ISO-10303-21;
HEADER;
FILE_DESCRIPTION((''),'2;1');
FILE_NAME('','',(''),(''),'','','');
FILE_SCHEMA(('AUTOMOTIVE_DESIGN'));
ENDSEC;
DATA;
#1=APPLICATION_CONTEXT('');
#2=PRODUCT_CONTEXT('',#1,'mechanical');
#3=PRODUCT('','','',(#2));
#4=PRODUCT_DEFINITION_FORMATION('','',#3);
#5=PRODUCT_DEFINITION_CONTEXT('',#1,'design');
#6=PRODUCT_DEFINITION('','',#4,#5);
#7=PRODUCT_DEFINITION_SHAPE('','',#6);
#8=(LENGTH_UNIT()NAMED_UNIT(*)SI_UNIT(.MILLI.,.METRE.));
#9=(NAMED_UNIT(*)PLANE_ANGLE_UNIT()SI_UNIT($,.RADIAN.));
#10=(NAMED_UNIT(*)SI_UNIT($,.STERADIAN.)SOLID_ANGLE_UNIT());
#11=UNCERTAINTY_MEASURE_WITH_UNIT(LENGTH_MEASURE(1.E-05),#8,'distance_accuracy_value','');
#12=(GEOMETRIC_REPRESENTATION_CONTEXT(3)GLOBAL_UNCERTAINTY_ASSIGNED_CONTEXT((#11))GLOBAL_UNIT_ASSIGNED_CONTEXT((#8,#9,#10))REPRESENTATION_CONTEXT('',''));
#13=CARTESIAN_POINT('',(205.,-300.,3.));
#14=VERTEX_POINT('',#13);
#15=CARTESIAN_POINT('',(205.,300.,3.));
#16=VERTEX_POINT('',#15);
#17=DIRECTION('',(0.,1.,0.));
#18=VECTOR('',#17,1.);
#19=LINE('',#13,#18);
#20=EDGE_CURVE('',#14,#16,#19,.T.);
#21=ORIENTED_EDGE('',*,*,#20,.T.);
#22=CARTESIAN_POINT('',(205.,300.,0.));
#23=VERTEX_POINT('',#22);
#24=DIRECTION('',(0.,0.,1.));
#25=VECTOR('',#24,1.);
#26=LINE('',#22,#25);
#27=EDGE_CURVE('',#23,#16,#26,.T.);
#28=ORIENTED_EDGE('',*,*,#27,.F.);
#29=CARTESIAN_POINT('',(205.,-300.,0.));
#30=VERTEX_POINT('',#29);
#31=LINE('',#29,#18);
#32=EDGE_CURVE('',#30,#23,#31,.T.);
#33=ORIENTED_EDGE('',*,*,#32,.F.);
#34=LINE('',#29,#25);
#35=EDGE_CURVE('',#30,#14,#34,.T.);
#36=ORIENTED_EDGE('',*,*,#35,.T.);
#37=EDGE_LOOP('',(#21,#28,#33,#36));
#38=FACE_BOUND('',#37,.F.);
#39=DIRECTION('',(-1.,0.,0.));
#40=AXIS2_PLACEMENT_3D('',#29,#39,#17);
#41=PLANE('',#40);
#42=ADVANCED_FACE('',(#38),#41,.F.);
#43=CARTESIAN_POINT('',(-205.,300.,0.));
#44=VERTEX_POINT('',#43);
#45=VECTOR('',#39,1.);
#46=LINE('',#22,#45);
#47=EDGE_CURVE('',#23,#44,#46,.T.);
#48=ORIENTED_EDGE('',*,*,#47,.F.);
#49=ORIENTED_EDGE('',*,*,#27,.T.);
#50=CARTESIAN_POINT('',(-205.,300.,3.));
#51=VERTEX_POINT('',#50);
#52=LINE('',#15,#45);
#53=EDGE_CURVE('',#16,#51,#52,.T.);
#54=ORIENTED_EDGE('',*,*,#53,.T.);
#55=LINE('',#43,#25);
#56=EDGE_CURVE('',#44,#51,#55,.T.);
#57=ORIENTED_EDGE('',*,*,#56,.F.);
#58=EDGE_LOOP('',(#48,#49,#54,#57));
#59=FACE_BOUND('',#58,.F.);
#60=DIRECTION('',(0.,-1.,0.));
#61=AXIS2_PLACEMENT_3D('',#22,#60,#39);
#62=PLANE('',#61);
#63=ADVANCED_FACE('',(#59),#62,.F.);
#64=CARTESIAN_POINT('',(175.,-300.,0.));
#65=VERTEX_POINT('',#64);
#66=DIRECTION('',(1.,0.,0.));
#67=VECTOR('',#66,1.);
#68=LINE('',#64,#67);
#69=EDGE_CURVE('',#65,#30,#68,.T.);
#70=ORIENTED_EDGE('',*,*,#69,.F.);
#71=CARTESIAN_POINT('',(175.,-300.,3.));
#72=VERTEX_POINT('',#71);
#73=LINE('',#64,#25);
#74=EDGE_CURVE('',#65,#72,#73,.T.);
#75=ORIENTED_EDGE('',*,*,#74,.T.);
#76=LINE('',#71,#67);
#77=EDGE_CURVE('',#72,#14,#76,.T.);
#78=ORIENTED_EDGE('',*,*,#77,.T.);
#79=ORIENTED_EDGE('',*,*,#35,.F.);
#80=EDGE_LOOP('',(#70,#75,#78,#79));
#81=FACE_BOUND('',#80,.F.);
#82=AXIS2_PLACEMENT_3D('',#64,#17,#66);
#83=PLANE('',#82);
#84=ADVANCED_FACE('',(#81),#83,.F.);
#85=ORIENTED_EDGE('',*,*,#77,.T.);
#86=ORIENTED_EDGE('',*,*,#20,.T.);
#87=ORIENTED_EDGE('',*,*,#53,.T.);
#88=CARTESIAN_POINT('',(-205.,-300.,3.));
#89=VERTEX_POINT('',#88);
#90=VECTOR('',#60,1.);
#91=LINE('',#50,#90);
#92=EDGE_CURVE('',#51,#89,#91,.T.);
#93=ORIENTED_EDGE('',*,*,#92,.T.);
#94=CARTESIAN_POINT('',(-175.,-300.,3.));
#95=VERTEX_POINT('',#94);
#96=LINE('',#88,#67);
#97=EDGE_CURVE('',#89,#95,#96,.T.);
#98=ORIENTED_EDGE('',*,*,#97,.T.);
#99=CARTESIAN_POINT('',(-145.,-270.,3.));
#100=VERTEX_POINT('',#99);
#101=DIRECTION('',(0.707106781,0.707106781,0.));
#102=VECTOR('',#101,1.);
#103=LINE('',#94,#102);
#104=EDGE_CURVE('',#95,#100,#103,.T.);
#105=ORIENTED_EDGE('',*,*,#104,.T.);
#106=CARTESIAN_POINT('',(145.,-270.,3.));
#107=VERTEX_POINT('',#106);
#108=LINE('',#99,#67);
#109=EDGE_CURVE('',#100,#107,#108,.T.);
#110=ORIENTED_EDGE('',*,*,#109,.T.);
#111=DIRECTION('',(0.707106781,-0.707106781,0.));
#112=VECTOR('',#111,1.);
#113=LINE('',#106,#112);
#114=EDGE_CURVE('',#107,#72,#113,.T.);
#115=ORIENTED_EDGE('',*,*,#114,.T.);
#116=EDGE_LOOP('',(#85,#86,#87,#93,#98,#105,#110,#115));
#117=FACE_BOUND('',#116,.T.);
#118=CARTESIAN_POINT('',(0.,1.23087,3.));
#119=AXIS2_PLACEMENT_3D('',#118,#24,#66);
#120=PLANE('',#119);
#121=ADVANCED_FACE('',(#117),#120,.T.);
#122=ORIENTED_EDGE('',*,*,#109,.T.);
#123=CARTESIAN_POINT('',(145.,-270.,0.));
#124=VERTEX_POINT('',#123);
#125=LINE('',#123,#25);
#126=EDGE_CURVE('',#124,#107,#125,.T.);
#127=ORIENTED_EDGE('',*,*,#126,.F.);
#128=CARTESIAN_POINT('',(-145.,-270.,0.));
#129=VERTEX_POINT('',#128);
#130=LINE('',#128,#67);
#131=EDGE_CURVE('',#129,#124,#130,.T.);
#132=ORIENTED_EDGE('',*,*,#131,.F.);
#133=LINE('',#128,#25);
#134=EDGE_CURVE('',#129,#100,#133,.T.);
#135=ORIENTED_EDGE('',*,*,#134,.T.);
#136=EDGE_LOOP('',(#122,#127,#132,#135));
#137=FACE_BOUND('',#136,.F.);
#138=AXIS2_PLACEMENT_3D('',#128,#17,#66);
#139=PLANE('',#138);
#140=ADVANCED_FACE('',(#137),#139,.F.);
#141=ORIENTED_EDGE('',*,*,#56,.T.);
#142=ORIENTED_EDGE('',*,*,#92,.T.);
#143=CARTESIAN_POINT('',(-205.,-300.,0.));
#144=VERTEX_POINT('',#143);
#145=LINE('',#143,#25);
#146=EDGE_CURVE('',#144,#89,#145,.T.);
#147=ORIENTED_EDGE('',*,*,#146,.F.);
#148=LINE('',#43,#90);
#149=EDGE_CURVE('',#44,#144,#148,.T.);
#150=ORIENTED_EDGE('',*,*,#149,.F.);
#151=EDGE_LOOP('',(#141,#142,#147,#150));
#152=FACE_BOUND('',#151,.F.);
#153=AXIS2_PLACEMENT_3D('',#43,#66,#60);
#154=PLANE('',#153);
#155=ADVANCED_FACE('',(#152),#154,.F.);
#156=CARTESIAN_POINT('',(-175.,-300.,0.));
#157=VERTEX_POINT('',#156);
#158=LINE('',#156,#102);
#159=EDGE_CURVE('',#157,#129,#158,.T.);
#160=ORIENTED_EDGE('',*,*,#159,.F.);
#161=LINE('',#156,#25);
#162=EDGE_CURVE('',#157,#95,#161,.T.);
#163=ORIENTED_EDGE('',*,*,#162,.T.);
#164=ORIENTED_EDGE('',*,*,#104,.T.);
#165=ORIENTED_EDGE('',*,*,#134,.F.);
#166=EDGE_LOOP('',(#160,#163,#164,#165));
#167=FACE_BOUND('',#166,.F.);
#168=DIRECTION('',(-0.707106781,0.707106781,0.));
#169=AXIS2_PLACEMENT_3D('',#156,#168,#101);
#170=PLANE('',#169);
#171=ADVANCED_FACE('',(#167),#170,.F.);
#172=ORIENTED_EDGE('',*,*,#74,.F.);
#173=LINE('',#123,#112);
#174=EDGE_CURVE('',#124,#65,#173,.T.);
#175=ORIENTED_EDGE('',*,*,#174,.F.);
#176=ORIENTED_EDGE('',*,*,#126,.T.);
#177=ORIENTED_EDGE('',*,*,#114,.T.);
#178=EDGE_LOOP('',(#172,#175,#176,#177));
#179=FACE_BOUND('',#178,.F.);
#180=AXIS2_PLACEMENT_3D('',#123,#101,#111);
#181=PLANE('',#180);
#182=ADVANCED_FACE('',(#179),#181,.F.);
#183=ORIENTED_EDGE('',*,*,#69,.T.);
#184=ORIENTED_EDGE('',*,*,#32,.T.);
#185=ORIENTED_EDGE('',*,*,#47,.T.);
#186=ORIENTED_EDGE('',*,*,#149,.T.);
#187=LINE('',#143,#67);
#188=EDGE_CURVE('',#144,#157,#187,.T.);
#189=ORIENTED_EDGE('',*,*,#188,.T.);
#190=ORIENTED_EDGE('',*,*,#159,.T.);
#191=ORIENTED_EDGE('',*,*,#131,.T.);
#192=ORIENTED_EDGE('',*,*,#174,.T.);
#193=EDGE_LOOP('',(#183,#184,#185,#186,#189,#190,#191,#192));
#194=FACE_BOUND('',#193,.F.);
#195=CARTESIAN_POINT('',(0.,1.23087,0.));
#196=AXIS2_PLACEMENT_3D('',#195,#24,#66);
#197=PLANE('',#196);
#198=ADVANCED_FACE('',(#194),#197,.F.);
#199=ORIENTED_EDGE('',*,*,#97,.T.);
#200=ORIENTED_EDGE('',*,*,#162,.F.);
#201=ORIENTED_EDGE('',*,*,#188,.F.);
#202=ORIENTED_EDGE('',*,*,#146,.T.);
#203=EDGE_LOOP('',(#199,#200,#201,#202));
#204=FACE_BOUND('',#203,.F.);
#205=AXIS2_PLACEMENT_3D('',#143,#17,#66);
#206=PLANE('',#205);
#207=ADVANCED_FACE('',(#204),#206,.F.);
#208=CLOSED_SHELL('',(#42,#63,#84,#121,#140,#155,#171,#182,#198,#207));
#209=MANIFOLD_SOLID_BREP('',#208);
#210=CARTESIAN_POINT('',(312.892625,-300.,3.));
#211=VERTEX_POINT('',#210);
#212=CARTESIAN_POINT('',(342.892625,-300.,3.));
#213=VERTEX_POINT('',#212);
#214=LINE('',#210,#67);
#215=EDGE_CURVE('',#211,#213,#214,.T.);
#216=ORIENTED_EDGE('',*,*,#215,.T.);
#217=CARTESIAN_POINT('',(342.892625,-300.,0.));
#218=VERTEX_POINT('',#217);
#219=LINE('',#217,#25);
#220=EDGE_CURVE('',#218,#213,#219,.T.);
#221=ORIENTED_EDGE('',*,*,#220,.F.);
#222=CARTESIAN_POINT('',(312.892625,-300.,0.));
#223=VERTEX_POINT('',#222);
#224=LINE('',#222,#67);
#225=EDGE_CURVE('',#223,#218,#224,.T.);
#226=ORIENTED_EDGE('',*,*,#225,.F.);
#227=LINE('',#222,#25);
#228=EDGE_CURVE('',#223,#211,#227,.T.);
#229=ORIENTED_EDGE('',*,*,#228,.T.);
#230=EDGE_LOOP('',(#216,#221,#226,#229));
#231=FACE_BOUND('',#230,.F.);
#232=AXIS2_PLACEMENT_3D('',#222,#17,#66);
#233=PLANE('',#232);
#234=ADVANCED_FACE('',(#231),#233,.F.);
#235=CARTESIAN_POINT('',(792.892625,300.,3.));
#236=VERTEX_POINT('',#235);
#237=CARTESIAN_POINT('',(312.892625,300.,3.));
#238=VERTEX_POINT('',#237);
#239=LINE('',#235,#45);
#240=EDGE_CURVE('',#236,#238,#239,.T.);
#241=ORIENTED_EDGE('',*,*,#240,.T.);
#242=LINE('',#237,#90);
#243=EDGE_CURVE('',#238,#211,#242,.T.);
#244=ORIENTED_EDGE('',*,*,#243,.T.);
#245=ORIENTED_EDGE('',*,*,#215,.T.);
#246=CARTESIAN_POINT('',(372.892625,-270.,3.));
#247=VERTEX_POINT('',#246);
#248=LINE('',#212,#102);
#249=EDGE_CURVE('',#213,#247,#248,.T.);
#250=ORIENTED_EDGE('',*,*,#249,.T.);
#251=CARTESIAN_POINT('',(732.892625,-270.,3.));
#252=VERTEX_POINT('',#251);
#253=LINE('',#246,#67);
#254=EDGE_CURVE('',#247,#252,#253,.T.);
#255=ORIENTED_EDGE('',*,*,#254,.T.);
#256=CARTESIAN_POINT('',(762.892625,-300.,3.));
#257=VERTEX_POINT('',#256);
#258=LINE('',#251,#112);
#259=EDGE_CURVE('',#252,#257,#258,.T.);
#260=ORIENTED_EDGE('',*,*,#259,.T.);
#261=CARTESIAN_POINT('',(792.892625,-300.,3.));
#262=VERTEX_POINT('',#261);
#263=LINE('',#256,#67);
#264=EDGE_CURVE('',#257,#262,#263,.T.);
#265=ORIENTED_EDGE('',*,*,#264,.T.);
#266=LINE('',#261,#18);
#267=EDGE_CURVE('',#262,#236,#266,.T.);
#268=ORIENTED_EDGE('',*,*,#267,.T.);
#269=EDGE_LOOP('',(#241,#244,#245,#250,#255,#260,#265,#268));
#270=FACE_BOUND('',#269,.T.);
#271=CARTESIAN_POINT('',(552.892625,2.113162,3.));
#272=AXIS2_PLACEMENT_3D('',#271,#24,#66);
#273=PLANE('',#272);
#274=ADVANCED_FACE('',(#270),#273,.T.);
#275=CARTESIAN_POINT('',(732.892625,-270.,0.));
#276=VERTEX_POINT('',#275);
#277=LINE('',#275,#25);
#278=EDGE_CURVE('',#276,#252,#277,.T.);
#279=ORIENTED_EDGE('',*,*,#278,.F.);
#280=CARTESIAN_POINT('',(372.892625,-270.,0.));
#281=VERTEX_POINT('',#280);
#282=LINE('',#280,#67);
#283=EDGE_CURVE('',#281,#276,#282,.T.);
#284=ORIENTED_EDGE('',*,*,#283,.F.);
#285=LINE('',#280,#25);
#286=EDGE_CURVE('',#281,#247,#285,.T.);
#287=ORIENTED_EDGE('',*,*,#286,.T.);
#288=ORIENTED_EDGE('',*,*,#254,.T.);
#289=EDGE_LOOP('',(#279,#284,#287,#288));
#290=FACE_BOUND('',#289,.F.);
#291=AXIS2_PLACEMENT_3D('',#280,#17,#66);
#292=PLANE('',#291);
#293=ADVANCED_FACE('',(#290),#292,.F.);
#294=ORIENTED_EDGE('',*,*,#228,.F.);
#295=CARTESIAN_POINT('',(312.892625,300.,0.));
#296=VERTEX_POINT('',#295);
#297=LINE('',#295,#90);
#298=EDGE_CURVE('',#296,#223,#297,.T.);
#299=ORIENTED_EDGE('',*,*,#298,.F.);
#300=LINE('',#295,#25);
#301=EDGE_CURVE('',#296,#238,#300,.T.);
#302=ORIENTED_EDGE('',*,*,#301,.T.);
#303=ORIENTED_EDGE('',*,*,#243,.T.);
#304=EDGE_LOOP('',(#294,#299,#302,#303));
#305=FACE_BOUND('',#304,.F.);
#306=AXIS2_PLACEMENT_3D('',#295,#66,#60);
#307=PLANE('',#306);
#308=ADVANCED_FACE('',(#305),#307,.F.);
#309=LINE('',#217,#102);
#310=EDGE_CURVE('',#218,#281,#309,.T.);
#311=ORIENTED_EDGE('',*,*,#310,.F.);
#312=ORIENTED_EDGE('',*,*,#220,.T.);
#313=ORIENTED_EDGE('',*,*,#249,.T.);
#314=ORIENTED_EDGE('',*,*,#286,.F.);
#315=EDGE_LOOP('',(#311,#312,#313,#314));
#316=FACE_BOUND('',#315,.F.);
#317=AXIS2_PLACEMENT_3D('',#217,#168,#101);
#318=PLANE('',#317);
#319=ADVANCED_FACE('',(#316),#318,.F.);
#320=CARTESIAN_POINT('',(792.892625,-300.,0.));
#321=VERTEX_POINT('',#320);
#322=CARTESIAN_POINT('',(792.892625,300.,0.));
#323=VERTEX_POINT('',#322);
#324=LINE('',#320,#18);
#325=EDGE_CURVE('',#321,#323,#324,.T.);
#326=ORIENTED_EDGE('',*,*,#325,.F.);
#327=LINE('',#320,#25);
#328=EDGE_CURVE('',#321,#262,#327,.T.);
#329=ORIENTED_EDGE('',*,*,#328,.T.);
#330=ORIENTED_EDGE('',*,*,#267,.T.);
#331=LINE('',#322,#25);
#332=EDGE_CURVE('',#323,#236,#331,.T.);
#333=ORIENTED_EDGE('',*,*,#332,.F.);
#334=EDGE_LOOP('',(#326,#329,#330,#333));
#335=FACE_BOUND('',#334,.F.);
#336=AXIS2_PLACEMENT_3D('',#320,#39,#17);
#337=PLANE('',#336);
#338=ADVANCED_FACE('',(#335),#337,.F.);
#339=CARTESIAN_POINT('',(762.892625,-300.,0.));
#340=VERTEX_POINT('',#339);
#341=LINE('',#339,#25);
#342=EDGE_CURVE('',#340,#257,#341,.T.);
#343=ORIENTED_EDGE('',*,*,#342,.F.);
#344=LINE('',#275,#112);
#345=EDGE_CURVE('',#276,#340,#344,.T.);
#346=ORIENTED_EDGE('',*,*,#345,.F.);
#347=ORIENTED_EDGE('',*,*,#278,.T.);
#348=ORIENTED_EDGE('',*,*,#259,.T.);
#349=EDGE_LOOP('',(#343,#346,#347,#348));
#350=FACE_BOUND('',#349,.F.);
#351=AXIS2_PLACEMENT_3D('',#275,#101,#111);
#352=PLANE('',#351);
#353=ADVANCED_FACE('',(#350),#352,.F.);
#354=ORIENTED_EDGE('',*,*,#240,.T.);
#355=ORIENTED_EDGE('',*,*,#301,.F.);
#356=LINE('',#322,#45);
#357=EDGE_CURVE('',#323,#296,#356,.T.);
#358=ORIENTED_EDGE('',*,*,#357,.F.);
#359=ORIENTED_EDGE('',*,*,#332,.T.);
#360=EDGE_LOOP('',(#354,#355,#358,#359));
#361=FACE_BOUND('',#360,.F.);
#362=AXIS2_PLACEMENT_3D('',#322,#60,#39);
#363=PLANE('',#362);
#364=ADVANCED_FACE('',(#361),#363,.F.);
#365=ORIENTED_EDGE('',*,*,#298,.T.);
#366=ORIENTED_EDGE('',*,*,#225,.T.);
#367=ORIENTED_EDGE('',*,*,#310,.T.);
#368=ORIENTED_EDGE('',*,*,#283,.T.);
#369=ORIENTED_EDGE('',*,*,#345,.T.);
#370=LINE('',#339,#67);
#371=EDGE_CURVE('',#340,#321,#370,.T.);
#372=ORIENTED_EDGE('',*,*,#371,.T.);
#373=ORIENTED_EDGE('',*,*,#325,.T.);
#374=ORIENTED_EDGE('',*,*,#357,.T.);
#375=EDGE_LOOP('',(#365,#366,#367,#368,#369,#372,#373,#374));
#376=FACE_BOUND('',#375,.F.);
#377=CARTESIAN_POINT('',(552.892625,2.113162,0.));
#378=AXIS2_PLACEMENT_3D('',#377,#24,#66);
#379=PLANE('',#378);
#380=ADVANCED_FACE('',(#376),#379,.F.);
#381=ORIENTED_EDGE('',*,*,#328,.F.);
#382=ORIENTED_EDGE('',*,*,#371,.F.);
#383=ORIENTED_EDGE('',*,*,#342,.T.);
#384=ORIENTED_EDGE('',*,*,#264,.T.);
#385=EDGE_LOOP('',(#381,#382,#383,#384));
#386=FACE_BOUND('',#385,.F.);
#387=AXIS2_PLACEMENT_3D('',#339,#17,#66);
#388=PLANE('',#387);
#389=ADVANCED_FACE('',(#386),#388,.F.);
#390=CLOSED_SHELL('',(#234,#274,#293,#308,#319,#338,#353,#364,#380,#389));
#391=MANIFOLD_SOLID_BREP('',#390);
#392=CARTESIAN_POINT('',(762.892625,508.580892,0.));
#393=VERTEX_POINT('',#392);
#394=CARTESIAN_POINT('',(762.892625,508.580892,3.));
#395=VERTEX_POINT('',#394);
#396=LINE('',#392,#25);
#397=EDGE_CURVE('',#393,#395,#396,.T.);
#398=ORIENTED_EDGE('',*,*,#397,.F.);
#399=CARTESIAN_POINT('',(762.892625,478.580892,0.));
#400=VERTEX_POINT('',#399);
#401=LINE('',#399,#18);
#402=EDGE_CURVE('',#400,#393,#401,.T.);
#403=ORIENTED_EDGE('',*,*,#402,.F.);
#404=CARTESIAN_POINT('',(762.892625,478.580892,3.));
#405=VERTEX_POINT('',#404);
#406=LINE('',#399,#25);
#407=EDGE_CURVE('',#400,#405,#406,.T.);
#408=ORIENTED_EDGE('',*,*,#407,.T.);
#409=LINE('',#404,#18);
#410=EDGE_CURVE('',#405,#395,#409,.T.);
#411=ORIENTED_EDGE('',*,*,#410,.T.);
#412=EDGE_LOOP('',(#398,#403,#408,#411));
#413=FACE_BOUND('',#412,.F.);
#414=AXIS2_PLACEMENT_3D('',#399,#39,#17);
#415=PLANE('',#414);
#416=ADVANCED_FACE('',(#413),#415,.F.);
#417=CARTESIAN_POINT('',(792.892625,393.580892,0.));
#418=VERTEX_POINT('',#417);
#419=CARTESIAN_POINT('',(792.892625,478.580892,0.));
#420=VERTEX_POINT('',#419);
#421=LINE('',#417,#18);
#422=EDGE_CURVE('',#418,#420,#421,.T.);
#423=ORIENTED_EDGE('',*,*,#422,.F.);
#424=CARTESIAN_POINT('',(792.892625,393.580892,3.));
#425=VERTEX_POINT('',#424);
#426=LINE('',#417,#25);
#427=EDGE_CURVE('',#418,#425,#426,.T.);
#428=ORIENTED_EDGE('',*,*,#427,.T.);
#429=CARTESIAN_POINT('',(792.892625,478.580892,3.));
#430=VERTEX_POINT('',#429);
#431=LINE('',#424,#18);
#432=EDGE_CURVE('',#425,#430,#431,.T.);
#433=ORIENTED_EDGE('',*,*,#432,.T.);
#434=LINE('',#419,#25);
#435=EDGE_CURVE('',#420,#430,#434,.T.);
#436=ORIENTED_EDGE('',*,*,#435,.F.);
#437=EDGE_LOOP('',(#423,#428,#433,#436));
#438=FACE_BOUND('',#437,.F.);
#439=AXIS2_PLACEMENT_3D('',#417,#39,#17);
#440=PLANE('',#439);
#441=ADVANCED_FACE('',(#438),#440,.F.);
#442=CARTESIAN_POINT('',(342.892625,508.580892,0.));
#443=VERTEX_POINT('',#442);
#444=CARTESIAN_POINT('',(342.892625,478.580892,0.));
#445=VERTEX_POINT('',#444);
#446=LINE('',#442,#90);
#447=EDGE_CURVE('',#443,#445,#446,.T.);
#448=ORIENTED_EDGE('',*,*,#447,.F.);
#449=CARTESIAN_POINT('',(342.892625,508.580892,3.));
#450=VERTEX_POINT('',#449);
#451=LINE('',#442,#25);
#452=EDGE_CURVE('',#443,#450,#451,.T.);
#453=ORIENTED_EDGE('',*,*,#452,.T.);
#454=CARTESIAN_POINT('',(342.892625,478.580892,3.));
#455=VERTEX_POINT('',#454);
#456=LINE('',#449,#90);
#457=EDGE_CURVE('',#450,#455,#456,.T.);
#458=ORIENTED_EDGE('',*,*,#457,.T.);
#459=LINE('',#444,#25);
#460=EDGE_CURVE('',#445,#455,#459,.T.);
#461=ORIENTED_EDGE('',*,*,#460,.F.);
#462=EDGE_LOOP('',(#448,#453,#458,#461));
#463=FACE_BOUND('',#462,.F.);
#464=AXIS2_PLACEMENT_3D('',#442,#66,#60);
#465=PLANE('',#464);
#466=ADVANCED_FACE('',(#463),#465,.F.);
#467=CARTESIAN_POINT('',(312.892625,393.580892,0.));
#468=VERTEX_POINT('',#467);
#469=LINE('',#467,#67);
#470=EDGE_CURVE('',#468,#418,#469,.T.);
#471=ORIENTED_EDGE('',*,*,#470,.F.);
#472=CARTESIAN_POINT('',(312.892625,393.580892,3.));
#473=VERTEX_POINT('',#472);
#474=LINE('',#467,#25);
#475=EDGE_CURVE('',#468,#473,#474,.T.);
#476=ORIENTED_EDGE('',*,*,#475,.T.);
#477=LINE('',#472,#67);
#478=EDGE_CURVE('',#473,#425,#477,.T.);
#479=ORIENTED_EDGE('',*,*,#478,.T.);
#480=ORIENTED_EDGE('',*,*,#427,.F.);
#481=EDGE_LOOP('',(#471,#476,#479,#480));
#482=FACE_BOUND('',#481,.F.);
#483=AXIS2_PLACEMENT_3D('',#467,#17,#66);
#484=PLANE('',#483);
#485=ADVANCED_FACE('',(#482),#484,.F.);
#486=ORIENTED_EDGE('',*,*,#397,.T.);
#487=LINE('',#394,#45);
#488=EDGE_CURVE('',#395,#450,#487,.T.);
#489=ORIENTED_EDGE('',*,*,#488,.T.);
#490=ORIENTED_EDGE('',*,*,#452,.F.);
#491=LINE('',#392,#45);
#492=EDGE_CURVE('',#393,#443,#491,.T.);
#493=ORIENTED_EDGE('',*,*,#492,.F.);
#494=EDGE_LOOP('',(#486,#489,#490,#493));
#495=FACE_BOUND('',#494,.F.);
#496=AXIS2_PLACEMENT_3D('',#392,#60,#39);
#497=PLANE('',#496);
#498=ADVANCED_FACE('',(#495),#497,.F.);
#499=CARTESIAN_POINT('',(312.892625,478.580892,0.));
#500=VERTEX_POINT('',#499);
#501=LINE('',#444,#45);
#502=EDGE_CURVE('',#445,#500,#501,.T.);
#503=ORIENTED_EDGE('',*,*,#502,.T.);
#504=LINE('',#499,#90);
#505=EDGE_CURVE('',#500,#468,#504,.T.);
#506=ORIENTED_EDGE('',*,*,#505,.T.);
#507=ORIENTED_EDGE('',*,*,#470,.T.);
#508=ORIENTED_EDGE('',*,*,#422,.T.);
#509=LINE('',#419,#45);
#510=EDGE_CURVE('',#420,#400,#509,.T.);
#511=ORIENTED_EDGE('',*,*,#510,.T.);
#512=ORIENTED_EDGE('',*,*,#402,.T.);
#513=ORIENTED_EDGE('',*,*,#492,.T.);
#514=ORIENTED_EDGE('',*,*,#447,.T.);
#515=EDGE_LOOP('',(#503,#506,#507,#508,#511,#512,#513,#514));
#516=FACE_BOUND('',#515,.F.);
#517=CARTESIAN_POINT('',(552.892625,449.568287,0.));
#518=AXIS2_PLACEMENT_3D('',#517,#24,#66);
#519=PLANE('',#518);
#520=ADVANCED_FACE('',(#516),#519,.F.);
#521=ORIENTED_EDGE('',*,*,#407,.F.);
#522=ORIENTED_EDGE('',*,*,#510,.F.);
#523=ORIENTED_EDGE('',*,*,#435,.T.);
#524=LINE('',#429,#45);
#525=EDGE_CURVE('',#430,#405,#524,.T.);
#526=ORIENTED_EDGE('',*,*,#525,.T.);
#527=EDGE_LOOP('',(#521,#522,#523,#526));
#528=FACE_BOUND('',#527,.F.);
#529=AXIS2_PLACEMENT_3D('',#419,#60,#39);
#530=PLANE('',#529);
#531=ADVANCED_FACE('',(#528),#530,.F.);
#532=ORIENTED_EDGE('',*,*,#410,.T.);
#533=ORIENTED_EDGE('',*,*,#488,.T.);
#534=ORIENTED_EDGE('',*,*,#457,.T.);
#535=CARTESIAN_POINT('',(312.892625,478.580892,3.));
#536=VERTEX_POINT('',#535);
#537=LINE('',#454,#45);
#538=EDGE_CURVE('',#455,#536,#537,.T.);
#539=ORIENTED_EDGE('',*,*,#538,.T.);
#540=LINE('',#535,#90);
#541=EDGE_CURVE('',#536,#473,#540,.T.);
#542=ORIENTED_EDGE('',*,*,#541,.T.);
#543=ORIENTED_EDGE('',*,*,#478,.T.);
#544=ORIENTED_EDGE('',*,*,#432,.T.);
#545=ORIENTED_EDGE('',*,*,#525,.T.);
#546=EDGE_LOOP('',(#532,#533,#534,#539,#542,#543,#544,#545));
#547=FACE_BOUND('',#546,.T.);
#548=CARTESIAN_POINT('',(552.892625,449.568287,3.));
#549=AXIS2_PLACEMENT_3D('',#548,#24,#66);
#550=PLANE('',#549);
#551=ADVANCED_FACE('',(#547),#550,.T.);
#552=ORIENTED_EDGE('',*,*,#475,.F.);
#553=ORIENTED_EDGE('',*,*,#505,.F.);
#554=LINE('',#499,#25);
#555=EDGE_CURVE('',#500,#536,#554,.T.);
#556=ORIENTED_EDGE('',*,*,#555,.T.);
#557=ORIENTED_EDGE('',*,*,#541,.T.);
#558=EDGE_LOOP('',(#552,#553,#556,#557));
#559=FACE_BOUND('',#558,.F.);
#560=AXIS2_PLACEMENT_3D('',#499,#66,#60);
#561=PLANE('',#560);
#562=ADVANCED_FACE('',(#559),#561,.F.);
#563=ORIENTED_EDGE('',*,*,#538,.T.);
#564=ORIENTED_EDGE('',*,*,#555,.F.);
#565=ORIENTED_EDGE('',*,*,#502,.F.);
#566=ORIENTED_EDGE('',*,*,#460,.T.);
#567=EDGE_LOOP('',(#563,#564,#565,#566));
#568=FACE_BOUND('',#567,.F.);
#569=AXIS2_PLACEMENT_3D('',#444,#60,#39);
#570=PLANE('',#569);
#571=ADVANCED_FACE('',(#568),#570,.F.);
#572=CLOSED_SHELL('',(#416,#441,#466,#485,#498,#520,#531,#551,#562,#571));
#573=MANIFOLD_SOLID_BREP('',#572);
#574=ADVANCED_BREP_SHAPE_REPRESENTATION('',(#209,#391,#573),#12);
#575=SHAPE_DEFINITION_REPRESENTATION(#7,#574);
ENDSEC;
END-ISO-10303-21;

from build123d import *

# Parameters (mm, degrees)
F3_DEPTH = 3


with BuildPart() as f3:
    # F0 (on Top) + F1 (on Top) + F2 (on Top) → F3 (new body)
    with BuildSketch(Plane.XY):
        Polygon((175, -300), (205, -300), (205, 300), (-205, 300), (-205, -300), (-175, -300), (-145, -270), (145, -270), align=None)
    with BuildSketch(Plane.XY):
        Polygon((312.892625, 300), (312.892625, -300), (342.892625, -300), (372.892625, -270), (732.892625, -270), (762.892625, -300), (792.892625, -300), (792.892625, 300), align=None)
    with BuildSketch(Plane.XY):
        Polygon((312.892625, 393.580892), (792.892625, 393.580892), (792.892625, 478.580892), (762.892625, 478.580892), (762.892625, 508.580892), (342.892625, 508.580892), (342.892625, 478.580892), (312.892625, 478.580892), align=None)
    extrude(amount=F3_DEPTH)


solid = f3.part
